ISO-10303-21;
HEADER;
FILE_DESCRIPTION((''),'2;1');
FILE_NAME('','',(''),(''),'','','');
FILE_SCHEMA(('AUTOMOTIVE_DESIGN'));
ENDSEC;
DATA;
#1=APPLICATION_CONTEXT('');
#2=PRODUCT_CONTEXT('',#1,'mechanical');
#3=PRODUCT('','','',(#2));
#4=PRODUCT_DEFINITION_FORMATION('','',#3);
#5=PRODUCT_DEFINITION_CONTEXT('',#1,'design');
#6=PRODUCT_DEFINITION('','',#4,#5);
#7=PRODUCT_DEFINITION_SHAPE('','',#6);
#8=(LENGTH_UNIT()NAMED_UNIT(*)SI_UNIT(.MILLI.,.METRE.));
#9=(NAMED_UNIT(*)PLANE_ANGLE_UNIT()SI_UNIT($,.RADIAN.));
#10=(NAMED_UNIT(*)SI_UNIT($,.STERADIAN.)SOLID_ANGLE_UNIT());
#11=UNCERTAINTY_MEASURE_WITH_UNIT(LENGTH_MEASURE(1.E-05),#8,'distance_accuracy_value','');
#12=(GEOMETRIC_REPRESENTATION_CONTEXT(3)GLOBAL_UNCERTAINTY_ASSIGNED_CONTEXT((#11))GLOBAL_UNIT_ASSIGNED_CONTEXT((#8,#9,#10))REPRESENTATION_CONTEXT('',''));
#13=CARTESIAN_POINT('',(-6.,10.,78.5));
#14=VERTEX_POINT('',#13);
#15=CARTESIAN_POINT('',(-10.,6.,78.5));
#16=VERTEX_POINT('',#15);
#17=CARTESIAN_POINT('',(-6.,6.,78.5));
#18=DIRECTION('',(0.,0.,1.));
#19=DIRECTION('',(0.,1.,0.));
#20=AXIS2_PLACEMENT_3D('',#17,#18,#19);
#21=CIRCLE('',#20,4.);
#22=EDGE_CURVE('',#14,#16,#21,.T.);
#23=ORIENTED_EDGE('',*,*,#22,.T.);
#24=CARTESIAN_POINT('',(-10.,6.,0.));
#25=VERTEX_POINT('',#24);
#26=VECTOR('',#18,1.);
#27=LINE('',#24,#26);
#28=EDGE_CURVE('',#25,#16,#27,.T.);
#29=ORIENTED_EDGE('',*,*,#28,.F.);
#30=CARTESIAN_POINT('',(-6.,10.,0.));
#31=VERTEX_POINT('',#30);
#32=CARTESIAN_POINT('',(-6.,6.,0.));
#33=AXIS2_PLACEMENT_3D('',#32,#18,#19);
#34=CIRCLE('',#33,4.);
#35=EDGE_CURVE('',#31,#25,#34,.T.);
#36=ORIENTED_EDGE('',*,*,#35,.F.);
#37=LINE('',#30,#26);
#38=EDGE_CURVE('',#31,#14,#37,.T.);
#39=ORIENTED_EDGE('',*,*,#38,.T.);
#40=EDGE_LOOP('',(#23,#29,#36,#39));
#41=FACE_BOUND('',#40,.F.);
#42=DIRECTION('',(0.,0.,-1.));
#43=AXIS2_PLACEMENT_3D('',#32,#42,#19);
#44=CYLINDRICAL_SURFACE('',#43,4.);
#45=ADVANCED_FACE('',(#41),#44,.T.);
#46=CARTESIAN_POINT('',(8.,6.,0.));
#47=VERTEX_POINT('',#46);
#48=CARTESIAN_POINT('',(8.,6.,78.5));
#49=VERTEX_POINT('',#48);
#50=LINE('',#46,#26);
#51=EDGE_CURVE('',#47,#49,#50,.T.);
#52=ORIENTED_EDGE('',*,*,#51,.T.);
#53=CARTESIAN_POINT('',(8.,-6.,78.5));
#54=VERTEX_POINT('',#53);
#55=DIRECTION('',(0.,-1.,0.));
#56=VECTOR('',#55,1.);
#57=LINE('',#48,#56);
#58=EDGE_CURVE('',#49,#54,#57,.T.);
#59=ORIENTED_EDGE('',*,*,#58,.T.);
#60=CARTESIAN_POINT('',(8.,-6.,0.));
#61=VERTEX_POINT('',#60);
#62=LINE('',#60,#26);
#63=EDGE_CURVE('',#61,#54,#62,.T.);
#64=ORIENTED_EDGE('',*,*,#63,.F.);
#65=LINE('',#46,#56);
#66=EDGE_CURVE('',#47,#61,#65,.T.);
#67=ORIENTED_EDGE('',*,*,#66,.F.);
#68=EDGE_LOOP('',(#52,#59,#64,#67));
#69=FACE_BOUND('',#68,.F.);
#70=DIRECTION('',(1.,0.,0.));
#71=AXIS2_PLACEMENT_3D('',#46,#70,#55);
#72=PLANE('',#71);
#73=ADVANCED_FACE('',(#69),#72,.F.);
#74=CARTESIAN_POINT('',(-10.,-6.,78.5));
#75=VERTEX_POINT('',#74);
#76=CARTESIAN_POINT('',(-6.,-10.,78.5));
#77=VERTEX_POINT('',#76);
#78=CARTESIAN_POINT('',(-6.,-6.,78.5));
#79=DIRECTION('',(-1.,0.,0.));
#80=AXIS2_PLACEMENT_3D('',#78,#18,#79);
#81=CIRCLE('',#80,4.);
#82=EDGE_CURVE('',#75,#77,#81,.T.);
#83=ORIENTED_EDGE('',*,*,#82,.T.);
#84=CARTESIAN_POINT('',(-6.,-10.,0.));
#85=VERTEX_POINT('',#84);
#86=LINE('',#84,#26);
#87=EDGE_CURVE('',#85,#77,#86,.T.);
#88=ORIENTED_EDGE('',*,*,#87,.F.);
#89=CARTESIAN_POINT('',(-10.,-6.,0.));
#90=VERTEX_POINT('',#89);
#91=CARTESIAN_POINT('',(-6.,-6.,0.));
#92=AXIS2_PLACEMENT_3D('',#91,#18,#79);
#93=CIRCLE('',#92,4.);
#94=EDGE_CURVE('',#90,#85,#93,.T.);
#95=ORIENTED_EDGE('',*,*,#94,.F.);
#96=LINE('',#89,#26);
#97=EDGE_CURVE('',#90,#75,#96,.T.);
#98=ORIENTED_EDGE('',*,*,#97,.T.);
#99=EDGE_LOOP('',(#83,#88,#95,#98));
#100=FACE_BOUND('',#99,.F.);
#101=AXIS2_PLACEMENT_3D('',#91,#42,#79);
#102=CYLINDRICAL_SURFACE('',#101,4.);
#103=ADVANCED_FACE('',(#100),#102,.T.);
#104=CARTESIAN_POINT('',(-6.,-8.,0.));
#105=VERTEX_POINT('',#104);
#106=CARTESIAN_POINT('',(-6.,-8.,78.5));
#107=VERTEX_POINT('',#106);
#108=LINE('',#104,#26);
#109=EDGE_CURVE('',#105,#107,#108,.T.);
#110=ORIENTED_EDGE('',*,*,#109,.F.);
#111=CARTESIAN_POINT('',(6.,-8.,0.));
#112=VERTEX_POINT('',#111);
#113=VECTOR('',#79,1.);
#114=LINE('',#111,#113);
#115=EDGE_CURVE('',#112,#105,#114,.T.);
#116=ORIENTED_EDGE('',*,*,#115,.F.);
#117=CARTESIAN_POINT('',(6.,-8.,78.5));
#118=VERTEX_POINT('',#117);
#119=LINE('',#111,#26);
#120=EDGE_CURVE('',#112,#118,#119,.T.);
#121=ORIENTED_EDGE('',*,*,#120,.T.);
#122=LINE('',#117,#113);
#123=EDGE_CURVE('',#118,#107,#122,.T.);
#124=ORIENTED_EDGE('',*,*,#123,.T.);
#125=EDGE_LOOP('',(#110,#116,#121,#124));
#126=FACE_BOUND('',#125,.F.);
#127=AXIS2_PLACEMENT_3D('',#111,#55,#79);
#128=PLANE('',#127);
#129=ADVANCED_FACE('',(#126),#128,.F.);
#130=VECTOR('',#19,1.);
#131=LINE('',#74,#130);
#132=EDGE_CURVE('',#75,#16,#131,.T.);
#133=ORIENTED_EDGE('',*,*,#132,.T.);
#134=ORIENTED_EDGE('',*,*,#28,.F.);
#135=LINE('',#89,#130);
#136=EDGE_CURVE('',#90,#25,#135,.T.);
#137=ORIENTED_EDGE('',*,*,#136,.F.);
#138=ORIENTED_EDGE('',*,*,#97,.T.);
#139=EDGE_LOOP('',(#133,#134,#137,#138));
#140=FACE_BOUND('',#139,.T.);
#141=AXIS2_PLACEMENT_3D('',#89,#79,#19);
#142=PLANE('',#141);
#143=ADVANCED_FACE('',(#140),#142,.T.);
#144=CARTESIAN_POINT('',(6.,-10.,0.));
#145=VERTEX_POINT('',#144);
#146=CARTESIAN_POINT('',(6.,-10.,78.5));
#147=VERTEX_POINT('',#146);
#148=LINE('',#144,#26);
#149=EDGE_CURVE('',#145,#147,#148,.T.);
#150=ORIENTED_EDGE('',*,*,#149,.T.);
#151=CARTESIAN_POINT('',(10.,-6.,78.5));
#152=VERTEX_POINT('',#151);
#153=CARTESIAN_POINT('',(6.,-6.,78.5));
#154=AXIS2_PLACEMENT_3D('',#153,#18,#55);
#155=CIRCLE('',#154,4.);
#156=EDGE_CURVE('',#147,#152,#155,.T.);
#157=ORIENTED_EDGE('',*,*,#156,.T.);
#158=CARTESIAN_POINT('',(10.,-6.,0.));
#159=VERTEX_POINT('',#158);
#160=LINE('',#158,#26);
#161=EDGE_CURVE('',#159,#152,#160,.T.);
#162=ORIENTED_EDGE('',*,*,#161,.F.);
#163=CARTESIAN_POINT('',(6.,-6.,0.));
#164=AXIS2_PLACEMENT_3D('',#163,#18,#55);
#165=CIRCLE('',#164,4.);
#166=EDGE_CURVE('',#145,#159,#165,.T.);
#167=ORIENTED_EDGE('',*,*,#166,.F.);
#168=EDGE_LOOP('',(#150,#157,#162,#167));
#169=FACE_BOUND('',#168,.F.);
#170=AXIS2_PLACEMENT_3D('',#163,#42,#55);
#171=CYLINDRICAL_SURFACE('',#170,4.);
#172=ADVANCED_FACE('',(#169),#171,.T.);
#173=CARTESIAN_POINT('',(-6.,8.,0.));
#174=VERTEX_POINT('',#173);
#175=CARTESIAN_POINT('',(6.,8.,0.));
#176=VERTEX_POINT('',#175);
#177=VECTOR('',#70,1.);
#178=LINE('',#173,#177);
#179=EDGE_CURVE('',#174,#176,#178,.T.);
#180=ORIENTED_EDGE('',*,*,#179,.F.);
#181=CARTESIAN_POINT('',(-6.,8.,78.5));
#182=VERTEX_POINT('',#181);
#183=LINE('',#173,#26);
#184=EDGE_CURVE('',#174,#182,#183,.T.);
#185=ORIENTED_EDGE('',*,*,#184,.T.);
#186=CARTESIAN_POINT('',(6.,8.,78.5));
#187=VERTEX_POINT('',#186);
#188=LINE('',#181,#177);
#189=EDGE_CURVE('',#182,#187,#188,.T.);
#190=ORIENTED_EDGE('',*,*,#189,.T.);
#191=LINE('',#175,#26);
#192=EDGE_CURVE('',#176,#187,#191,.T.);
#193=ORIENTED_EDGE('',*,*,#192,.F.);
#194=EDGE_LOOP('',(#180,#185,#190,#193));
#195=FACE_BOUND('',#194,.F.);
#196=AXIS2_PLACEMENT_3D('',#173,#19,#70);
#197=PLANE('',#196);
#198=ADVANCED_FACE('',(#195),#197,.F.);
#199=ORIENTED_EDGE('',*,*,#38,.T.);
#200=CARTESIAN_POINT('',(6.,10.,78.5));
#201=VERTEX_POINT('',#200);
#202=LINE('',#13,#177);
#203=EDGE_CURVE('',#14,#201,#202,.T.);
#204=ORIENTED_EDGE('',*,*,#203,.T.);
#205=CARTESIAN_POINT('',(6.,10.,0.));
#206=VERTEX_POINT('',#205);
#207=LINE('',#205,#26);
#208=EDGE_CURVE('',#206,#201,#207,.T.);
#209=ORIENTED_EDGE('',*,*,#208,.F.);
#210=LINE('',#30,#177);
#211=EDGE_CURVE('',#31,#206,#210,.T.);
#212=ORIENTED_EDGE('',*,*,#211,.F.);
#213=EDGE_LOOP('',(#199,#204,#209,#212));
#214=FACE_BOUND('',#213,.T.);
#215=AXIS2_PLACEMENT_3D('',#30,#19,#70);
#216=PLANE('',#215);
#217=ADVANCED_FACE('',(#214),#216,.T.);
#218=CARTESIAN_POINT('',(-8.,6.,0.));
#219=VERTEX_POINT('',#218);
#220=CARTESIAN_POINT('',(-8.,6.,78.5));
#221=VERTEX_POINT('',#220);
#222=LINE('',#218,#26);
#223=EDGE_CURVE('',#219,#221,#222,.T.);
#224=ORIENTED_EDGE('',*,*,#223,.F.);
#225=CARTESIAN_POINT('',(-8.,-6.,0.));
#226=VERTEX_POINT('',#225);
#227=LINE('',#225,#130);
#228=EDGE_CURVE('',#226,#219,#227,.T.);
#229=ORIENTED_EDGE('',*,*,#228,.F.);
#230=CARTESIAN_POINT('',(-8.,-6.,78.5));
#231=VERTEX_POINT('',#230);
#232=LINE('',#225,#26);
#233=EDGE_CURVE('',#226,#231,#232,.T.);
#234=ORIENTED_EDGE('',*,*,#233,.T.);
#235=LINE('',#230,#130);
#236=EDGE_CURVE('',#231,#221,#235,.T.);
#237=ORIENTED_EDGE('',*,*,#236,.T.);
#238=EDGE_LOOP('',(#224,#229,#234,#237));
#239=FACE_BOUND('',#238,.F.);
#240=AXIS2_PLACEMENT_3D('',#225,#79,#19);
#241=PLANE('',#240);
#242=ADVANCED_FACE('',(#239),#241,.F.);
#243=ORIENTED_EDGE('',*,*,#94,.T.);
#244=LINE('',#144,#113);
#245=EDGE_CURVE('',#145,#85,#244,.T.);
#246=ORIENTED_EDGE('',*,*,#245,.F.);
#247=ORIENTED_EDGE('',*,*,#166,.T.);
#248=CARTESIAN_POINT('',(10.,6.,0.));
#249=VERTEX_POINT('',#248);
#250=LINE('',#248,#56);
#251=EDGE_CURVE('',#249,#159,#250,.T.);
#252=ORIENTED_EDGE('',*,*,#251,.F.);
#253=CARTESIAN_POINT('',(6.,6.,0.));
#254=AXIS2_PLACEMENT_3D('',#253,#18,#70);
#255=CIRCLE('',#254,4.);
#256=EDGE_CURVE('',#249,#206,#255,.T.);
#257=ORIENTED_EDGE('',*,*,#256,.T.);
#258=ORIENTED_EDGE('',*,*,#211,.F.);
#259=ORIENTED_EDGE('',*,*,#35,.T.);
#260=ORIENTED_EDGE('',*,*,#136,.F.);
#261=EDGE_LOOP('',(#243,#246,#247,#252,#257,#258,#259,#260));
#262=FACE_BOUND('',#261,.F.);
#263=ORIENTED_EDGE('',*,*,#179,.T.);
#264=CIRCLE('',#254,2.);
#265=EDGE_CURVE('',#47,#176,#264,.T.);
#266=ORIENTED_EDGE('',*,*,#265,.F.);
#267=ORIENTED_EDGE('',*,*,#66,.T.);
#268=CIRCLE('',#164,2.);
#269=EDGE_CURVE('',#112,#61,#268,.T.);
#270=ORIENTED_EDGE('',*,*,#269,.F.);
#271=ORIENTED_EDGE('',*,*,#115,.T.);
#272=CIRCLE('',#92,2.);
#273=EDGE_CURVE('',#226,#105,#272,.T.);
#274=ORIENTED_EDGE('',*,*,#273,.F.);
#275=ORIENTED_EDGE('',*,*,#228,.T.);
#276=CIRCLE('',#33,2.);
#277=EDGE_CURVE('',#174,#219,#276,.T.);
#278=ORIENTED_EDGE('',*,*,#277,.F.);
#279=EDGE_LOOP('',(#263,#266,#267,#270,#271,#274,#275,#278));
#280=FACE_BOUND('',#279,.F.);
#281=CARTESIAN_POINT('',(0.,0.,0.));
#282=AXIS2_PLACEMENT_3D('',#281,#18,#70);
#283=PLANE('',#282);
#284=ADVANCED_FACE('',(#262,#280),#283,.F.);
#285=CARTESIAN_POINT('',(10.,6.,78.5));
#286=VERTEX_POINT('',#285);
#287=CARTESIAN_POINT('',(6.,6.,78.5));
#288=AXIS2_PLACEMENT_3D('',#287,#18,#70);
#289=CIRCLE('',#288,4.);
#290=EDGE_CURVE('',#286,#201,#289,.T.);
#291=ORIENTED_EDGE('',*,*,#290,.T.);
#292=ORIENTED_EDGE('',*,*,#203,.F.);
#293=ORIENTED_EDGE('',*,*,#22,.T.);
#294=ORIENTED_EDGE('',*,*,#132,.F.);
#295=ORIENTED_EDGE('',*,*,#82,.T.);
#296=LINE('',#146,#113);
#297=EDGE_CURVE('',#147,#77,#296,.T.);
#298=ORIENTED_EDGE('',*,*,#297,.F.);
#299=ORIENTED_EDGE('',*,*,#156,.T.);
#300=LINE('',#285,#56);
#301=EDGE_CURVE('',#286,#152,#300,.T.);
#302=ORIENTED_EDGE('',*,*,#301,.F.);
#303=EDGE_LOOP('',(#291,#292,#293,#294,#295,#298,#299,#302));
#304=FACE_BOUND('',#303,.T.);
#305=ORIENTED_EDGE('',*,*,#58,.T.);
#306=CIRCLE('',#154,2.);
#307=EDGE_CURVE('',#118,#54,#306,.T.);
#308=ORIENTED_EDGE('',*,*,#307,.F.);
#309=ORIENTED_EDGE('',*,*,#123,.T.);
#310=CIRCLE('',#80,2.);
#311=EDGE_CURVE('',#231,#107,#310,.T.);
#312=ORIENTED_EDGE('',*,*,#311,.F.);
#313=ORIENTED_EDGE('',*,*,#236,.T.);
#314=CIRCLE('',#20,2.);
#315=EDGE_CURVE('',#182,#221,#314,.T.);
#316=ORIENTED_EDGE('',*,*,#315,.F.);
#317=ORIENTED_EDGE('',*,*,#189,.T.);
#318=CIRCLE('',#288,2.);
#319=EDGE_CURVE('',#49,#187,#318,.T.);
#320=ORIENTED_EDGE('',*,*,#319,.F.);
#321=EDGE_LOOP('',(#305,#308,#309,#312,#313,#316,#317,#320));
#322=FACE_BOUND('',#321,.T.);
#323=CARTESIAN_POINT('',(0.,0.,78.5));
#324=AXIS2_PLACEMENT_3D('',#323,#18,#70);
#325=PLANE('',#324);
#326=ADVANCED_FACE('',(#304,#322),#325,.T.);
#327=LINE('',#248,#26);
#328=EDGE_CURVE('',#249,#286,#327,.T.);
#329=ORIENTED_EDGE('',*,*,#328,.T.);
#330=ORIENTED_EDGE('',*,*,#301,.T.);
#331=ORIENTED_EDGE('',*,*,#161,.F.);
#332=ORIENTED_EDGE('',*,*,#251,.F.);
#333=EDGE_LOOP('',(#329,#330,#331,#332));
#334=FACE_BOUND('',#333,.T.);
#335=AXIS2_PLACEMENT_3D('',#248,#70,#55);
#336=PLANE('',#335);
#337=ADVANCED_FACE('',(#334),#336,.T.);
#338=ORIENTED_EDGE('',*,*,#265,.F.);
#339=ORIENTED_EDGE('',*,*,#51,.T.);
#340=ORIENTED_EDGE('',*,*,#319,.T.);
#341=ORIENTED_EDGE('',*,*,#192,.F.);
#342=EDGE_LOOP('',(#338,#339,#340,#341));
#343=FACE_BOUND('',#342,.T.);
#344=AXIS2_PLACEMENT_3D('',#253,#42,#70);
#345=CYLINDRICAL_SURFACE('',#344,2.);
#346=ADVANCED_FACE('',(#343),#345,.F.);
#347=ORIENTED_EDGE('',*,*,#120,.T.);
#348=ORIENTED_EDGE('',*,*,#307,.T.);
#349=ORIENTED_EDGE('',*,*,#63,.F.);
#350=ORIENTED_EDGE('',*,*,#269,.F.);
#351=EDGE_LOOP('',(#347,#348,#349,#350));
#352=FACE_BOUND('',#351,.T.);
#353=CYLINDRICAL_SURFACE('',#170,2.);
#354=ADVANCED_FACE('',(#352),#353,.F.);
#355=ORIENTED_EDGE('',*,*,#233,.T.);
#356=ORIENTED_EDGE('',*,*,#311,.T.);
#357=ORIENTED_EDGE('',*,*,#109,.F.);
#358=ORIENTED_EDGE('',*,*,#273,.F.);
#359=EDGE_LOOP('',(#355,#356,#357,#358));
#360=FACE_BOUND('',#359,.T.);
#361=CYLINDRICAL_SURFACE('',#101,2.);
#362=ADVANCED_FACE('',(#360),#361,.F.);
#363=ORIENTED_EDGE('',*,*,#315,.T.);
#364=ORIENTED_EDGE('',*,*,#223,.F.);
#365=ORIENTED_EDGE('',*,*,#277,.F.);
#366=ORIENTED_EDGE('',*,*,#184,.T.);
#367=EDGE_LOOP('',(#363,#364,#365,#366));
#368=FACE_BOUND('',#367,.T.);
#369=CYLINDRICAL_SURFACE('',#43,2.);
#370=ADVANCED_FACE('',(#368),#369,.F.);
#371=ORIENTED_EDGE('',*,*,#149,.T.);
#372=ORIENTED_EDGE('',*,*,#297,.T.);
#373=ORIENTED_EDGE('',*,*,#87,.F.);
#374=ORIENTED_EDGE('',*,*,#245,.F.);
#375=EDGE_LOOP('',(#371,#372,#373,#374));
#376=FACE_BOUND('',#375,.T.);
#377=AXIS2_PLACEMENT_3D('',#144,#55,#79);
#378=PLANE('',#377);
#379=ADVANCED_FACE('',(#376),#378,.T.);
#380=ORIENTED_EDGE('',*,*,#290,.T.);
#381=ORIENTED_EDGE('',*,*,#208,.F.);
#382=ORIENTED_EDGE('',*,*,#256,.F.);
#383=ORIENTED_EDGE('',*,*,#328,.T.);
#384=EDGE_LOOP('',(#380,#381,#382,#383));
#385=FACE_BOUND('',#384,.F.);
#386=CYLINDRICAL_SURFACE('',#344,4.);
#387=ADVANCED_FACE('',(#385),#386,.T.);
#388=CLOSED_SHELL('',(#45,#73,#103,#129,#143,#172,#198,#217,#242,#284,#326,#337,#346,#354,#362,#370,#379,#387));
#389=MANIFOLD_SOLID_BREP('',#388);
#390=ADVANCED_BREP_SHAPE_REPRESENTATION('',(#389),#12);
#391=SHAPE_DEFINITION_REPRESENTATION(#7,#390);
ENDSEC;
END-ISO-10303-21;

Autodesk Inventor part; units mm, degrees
ref_plane "YZ Plane" through (0, 0, 0) normal (1, 0, 0) x (0, 1, 0)
ref_plane "Plan de départ" through (0, 0, 0) normal (0, 0, 1) x (1, 0, 0)
ref_plane "Plan de fin" through (0, 0, 78.5) normal (0, 0, 1) x (1, 0, 0)
sketch "Esquisse" plane through (0, 0, 0) normal (0, 0, 1) x (1, 0, 0)
  line L0 (-10, -6) -> (-10, 6)
  line L1 (-6, 10) -> (6, 10)
  line L2 (10, 6) -> (10, -6)
  line L3 (6, -10) -> (-6, -10)
  arc A0 (-10, -6) -> (-6, -10) centre (-6, -6) ccw
  arc A1 (10, 6) -> (6, 10) centre (6, 6) ccw
  arc A2 (-6, 10) -> (-10, 6) centre (-6, 6) ccw
  arc A3 (6, -10) -> (10, -6) centre (6, -6) ccw
  arc A4 (-6, 8) -> (-8, 6) centre (-6, 6) ccw
  line L4 (-6, 8) -> (6, 8)
  arc A5 (8, 6) -> (6, 8) centre (6, 6) ccw
  line L5 (8, 6) -> (8, -6)
  arc A6 (6, -8) -> (8, -6) centre (6, -6) ccw
  line L6 (6, -8) -> (-6, -8)
  arc A7 (-8, -6) -> (-6, -8) centre (-6, -6) ccw
  line L7 (-8, -6) -> (-8, 6)
  line L8 (0, 15.1598) -> (0, -15.1598) construction
  line L9 (-15.1598, 0) -> (15.1598, 0) construction
  dimension "d7" = 4
  dimension "d9" = 20
  dimension "d11" = 20
  dimension "d12" = 2
  dimension "d15" = 10
  dimension "d16" = 10
extrude "Corps" add sketch "Esquisse" along normal up to surface (78.5 mm away) from surface at 0
sketch "Sketch3" plane through (0, 0, 0) normal (0, 0, 1) x (1, 0, 0)
  line L0 (0, 0) -> (10, 0)
ref_plane "Work Plane3" through (0, 0, 0) normal (0, -1, 0) x (1, 0, 0)
sketch "Sketch4" plane through (0, 0, 0) normal (0, -1, 0) x (1, 0, 0)
  line L0 (-2, 0) -> (12, 0) projected
  line L1 (-2, 78.5) -> (12, 78.5) projected
  dimension "d18" = 78.5
equation "\"d7\" = G_IR"
equation "\"d9\" = G_W"
equation "\"d11\" = G_H"
equation "\"d12\" = G_T"
equation "\"d15\" = 0.5 * d9"
equation "\"d16\" = 0.5 * d11"
equation "\"d3\" = G_L"
equation "\"G_W\" = 20"
equation "\"G_H\" = 20"
equation "\"G_T\" = 2"
equation "\"G_IR\" = 4"
equation "\"G_L\" = d18"
equation "\"G_OFFSET_START\" = 0"
equation "\"G_OFFSET_END\" = 0"
equation "\"d14\" = G_OFFSET_END + B_L"
equation "\"B_L\" = 78.5"
properties part number "ISO 10799-2 - 20x20x2 - 78,5" material "Acier, doux"
